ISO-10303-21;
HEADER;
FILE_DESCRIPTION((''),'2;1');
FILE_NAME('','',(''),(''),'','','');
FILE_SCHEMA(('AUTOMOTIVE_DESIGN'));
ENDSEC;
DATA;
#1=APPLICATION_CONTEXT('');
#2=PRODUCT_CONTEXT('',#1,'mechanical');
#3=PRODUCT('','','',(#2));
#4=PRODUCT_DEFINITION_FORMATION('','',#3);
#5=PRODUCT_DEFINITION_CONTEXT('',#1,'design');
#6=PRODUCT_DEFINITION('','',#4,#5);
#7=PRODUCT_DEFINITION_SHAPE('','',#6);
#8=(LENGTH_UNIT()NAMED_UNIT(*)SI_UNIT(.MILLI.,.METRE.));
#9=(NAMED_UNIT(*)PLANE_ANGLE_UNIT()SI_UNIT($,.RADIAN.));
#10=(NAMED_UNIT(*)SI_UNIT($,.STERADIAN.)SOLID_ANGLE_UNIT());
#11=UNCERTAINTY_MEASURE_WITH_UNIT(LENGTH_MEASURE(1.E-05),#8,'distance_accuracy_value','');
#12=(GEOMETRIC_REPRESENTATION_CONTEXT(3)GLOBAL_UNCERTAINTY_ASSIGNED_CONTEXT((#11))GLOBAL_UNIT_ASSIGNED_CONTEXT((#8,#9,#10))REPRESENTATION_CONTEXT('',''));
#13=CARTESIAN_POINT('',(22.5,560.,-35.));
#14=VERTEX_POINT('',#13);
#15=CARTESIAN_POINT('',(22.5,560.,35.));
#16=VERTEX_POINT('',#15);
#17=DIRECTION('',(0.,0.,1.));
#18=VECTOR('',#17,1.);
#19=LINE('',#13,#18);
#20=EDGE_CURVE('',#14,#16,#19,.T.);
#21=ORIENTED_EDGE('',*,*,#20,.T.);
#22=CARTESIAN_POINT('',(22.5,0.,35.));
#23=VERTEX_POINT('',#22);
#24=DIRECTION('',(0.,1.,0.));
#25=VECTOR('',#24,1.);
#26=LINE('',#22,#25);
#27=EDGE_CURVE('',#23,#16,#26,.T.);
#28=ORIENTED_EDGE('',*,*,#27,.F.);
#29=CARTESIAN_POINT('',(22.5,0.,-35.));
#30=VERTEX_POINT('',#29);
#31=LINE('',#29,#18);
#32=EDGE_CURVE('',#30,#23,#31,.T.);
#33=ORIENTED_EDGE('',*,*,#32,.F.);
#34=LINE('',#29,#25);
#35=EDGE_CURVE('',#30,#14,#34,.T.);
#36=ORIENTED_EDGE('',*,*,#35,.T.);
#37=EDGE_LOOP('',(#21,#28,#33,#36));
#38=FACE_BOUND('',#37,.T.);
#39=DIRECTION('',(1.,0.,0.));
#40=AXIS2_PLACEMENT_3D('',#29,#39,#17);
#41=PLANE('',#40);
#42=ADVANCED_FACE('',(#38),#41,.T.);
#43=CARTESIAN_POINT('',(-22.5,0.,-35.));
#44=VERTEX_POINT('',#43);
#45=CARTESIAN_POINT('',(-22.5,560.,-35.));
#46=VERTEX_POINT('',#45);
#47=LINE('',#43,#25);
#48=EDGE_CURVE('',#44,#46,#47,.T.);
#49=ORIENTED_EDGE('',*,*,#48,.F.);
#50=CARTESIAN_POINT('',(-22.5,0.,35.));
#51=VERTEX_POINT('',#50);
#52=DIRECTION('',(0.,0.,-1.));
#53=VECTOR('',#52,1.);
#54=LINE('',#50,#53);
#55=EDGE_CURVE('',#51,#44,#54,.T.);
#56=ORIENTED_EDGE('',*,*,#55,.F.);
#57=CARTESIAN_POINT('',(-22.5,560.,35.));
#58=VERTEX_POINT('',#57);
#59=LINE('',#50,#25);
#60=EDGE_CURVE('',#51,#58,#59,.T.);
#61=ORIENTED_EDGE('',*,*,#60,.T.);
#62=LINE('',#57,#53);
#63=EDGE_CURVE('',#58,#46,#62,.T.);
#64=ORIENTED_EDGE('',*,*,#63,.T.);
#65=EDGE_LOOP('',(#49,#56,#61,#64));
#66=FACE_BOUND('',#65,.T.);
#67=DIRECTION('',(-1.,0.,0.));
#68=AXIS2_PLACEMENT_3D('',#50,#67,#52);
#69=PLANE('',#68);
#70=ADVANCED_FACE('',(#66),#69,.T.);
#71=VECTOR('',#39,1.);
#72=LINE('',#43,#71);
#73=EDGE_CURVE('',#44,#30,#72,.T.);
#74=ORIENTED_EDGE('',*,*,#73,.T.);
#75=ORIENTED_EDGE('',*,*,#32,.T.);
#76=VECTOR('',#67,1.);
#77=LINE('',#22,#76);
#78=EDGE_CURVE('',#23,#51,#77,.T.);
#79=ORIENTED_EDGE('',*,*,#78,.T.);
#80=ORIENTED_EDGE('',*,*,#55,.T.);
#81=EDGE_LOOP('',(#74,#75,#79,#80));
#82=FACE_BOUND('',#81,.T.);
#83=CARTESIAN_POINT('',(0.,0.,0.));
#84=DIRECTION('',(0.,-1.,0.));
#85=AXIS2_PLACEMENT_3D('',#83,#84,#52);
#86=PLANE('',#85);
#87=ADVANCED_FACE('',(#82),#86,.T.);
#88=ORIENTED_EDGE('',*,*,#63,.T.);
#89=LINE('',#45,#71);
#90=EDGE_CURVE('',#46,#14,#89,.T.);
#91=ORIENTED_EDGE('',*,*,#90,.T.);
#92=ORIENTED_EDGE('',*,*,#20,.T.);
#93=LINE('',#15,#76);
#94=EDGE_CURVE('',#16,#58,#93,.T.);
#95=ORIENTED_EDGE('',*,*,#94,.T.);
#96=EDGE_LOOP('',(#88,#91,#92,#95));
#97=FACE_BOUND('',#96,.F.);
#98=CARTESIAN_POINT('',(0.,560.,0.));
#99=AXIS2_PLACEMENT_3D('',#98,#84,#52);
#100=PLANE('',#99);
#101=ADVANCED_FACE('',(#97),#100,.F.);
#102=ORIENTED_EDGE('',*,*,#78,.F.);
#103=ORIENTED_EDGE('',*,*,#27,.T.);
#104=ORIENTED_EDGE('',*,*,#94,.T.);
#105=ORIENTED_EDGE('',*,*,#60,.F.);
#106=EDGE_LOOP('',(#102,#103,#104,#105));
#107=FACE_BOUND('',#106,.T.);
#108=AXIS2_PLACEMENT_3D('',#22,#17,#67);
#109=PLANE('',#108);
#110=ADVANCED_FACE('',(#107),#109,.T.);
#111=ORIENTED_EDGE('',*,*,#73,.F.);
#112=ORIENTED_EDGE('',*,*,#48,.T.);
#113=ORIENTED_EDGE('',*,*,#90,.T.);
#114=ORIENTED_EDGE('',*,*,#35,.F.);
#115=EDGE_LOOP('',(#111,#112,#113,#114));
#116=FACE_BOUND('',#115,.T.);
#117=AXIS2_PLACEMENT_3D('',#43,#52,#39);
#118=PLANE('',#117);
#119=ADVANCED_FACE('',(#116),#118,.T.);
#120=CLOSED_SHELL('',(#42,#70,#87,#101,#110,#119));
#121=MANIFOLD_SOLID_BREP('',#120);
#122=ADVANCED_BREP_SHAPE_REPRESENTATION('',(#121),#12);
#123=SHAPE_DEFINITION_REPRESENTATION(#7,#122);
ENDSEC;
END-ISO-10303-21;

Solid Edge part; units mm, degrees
sketch "Sketch1" plane through (0, 0, 0) normal (0, -1, 0) x (1, 0, 0)
  line L0 (-22.5, -35) -> (22.5, -35)
  line L1 (22.5, -35) -> (22.5, 35)
  line L2 (22.5, 35) -> (-22.5, 35)
  line L3 (-22.5, 35) -> (-22.5, -35)
extrude "Protrusion1" add sketch "Sketch1" against normal blind 560
